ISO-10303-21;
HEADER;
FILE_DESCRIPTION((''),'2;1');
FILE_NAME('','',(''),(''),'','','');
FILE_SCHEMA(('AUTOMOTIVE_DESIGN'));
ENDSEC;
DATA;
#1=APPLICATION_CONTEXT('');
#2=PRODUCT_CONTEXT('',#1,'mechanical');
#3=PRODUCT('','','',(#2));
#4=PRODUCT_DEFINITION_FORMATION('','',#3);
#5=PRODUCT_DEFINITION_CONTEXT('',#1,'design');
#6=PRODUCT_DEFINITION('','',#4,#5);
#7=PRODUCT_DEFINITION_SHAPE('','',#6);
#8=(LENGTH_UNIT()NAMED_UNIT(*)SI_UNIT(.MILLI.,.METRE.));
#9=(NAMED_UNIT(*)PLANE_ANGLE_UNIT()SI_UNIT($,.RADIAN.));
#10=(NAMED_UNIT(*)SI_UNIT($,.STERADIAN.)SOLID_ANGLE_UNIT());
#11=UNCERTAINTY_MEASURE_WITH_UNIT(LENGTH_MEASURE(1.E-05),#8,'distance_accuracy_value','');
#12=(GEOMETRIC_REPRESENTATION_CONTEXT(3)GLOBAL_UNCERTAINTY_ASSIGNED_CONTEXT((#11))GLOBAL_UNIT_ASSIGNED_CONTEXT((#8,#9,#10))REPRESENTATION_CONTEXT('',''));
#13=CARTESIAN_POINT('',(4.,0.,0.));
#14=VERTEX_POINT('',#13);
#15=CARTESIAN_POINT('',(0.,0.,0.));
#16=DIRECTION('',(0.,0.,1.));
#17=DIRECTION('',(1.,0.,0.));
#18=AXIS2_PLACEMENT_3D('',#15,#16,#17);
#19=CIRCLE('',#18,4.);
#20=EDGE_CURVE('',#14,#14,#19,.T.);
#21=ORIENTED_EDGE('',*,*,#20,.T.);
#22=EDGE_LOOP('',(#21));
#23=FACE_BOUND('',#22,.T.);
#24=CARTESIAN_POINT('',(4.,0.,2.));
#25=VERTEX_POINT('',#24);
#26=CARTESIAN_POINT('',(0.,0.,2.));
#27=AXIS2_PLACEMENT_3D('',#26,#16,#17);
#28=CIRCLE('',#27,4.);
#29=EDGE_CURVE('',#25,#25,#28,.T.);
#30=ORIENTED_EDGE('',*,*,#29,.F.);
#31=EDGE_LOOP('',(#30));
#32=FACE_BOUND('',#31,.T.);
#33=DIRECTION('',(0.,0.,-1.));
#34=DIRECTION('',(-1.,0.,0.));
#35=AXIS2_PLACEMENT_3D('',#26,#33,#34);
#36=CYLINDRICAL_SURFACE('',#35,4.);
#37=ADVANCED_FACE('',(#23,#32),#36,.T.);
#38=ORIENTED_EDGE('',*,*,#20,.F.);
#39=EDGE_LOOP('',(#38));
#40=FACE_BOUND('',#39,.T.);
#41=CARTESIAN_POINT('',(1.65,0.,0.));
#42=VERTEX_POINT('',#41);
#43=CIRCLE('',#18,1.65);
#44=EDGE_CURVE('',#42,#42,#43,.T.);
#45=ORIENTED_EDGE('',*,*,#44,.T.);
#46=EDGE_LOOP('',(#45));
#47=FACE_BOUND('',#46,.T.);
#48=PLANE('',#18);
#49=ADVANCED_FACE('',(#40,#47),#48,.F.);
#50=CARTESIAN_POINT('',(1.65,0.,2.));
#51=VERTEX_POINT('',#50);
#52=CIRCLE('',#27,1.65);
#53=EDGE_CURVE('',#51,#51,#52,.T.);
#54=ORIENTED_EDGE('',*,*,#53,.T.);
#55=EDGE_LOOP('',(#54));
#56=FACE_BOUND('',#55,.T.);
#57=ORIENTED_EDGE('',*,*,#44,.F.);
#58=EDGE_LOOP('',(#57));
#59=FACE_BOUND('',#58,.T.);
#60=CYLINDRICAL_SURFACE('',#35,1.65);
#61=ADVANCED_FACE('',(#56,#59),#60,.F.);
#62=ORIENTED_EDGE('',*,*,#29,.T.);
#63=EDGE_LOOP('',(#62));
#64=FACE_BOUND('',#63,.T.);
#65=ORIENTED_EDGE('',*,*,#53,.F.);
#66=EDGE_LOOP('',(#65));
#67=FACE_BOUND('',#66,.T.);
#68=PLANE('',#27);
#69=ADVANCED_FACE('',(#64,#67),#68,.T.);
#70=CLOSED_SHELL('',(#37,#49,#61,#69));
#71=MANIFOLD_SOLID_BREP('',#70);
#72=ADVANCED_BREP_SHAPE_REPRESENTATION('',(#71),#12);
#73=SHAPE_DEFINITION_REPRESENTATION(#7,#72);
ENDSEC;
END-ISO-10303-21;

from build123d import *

# Parameters (mm, degrees)
SKETCH_1_R     = 4
SKETCH_1_R_2   = 1.65
D435_2MM_DEPTH = 2


with BuildPart() as part:
    # 草图1 → D435后支承垫片_2mm (new body)
    with BuildSketch(Plane.XY):
        Circle(SKETCH_1_R)
        Circle(SKETCH_1_R_2, mode=Mode.SUBTRACT)
    extrude(amount=D435_2MM_DEPTH)


solid = part.part
